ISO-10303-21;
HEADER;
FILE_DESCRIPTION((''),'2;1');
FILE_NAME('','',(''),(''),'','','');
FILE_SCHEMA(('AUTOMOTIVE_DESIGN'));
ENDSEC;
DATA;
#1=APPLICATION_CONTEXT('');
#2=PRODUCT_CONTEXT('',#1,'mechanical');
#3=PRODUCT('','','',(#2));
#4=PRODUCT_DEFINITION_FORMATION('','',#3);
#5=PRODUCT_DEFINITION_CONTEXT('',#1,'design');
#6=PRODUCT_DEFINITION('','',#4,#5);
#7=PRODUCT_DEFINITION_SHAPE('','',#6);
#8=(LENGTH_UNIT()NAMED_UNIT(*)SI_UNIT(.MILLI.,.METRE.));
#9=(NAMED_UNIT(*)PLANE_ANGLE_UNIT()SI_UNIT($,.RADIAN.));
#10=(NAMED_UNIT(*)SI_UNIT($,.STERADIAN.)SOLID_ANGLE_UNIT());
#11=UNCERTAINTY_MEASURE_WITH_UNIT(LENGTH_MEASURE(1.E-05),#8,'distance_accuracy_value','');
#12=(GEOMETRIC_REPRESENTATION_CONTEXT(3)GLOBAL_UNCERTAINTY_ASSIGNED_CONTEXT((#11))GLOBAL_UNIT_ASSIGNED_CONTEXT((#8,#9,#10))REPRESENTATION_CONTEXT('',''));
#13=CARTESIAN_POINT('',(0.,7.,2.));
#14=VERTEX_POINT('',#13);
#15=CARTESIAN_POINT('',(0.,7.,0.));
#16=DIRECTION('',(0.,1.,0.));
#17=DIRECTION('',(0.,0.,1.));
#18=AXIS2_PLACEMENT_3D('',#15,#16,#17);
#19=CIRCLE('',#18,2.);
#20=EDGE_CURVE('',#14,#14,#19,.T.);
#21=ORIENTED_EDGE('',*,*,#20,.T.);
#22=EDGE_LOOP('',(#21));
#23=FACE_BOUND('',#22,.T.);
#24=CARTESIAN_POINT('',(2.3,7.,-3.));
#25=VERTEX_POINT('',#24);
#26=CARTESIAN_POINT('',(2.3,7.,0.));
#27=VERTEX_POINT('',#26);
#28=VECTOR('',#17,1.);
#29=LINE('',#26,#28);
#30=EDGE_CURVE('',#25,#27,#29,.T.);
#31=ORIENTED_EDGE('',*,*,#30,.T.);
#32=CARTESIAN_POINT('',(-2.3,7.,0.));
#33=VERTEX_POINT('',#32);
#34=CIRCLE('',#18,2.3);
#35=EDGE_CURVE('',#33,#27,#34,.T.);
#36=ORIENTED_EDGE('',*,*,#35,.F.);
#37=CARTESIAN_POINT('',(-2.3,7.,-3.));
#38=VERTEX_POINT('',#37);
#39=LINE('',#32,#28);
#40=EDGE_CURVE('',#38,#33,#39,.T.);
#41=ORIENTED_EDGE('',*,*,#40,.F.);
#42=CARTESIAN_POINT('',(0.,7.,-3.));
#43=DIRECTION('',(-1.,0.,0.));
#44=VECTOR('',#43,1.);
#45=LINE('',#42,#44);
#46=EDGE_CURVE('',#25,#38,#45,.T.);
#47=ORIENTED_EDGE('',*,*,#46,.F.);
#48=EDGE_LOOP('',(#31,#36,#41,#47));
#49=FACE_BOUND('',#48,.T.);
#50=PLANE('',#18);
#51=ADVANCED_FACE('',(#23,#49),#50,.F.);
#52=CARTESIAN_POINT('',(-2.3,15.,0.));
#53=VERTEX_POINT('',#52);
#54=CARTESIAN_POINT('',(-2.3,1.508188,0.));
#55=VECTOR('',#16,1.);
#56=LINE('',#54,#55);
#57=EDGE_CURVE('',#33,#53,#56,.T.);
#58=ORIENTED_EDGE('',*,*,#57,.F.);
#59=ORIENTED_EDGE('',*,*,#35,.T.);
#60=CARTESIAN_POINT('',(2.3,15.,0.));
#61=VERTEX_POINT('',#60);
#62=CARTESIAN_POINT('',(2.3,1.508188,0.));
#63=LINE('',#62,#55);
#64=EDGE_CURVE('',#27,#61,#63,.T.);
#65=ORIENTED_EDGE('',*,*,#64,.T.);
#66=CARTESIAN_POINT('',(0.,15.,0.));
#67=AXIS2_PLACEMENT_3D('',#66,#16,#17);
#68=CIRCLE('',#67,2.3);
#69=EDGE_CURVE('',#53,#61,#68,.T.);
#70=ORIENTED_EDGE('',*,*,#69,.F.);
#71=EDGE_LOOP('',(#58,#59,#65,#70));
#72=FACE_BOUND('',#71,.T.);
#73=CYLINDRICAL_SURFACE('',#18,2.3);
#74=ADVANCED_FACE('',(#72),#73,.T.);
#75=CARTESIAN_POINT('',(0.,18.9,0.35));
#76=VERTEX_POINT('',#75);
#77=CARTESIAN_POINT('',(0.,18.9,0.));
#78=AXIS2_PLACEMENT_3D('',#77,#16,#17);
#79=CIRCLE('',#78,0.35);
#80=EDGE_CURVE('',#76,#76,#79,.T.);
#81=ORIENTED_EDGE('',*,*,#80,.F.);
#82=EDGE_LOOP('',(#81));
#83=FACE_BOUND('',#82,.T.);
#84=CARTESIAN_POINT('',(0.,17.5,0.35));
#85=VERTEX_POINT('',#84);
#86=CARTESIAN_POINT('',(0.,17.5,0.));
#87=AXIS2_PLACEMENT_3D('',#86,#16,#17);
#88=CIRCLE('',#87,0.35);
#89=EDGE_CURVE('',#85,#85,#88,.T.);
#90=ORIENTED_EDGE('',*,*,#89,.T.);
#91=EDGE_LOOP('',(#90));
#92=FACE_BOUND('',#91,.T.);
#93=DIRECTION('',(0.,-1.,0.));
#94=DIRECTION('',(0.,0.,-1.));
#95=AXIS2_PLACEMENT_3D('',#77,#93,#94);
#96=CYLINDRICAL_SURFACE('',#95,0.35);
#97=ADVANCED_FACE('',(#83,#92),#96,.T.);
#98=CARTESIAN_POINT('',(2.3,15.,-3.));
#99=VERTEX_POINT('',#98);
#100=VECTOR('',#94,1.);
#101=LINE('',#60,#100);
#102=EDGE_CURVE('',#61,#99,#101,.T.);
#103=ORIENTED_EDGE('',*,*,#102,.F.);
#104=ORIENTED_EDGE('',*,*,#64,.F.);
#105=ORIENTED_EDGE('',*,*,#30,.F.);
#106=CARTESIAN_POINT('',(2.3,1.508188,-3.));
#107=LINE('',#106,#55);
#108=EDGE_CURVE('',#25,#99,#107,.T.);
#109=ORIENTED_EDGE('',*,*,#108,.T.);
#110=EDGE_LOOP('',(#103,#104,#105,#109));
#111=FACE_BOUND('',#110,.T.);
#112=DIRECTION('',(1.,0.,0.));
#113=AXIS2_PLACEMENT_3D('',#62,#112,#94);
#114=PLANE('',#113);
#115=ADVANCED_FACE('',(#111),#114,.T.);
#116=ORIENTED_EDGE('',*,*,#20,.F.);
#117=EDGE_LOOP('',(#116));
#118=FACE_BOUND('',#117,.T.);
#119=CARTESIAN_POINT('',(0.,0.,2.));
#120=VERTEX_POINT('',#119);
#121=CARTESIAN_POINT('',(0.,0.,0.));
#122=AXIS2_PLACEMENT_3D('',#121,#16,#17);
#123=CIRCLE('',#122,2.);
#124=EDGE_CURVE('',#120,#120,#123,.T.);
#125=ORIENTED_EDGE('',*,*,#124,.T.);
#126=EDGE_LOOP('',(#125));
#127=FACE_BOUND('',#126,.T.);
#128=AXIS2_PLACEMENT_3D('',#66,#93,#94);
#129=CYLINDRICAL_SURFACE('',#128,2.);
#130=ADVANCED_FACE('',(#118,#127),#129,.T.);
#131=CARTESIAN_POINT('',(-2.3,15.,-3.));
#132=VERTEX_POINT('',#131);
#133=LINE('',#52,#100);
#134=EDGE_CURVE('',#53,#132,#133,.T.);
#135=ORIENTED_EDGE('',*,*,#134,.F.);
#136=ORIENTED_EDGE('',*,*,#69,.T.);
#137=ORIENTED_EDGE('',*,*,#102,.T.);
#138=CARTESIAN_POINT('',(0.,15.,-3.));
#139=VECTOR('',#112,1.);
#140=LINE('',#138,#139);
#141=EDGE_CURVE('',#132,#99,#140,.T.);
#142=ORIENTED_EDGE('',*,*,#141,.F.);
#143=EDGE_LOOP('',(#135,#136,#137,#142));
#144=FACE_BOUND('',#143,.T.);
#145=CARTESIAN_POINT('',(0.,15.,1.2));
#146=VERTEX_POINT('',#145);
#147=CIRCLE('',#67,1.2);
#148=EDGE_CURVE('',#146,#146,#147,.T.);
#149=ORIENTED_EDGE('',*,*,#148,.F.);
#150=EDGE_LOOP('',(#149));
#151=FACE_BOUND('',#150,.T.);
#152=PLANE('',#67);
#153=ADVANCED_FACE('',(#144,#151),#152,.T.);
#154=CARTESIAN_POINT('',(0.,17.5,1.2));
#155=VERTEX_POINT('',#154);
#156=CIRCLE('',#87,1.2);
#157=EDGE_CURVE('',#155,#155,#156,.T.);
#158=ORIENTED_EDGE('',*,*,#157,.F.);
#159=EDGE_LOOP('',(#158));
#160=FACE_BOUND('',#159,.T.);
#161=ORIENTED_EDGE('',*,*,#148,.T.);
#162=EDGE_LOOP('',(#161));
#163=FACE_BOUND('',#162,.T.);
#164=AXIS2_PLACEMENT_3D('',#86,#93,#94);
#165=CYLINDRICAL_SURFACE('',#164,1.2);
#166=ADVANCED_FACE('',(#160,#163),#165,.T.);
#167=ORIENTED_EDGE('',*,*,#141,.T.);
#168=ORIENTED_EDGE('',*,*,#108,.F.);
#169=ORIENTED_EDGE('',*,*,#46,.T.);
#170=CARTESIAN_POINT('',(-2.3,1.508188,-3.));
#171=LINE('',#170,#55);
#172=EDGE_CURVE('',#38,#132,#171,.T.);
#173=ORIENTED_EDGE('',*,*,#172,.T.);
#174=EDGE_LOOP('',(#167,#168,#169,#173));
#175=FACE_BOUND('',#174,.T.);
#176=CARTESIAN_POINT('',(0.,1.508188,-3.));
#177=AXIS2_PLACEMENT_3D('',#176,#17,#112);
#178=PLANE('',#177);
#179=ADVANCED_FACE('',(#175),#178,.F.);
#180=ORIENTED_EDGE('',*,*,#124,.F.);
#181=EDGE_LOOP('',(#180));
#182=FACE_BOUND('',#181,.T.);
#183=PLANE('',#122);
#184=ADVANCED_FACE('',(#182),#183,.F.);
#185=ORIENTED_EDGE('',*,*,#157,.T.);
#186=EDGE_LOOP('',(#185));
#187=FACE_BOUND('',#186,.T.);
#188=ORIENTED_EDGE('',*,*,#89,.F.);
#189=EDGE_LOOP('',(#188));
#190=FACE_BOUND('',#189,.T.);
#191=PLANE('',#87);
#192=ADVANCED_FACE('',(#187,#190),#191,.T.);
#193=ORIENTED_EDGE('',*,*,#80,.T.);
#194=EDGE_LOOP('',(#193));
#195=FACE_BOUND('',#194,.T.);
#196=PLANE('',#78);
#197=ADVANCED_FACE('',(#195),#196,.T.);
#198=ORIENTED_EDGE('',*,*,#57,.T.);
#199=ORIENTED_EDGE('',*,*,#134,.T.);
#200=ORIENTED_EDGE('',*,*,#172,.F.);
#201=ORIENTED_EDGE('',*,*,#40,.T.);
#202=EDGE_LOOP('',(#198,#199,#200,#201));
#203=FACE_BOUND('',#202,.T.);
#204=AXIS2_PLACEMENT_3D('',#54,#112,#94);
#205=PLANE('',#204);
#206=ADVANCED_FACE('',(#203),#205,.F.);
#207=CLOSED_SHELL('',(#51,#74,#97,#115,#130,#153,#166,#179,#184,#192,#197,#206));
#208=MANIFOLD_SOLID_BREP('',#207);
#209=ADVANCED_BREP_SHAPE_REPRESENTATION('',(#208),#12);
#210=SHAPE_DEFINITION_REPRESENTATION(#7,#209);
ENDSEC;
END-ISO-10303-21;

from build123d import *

# Parameters (mm, degrees)
ESBO_O2_R                = 2
RESSALTO_EXTRUS_O1_DEPTH = 15
ESBO_O3_R                = 1.2
RESSALTO_EXTRUS_O2_DEPTH = 2.5
ESBO_O4_R                = 0.35
RESSALTO_EXTRUS_O3_DEPTH = 1.4
ESBO_O5_R                = 2.3
ESBO_O5_R_2              = 2
RESSALTO_EXTRUS_O4_DEPTH = 8
ESBO_O6_R                = 2.3
ESBO_O6_W                = 4.6
ESBO_O6_H                = 3
RESSALTO_EXTRUS_O6_DEPTH = 8


with BuildPart() as part:
    # Esboço2 → Ressalto-extrusão1 (new body)
    with BuildSketch(Plane(origin=(0, 0, 0), x_dir=(1, 0, 0), z_dir=(0, 1, 0))):
        Circle(ESBO_O2_R)
    extrude(amount=RESSALTO_EXTRUS_O1_DEPTH)

    # Esboço3 → Ressalto-extrusão2 (add)
    with BuildSketch(Plane(origin=(0, 15, 0), x_dir=(1, 0, 0), z_dir=(0, 1, 0))):
        Circle(ESBO_O3_R)
    extrude(amount=RESSALTO_EXTRUS_O2_DEPTH)

    # Esboço4 → Ressalto-extrusão3 (add)
    with BuildSketch(Plane(origin=(0, 17.5, 0), x_dir=(1, 0, 0), z_dir=(0, 1, 0))):
        Circle(ESBO_O4_R)
    extrude(amount=RESSALTO_EXTRUS_O3_DEPTH)

    # Esboço5 → Ressalto-extrusão4 (add)
    with BuildSketch(Plane(origin=(0, 15, 0), x_dir=(1, 0, 0), z_dir=(0, 1, 0))):
        Circle(ESBO_O5_R)
        Circle(ESBO_O5_R_2, mode=Mode.SUBTRACT)
    extrude(amount=-RESSALTO_EXTRUS_O4_DEPTH)

    # Esboço6 → Ressalto-extrusão6 (add)
    with BuildSketch(Plane(origin=(0, 15, 0), x_dir=(1, 0, 0), z_dir=(0, 1, 0))):
        Circle(ESBO_O6_R)
        with Locations((0, 1.5)):
            Rectangle(ESBO_O6_W, ESBO_O6_H)
    extrude(amount=-RESSALTO_EXTRUS_O6_DEPTH)


solid = part.part
